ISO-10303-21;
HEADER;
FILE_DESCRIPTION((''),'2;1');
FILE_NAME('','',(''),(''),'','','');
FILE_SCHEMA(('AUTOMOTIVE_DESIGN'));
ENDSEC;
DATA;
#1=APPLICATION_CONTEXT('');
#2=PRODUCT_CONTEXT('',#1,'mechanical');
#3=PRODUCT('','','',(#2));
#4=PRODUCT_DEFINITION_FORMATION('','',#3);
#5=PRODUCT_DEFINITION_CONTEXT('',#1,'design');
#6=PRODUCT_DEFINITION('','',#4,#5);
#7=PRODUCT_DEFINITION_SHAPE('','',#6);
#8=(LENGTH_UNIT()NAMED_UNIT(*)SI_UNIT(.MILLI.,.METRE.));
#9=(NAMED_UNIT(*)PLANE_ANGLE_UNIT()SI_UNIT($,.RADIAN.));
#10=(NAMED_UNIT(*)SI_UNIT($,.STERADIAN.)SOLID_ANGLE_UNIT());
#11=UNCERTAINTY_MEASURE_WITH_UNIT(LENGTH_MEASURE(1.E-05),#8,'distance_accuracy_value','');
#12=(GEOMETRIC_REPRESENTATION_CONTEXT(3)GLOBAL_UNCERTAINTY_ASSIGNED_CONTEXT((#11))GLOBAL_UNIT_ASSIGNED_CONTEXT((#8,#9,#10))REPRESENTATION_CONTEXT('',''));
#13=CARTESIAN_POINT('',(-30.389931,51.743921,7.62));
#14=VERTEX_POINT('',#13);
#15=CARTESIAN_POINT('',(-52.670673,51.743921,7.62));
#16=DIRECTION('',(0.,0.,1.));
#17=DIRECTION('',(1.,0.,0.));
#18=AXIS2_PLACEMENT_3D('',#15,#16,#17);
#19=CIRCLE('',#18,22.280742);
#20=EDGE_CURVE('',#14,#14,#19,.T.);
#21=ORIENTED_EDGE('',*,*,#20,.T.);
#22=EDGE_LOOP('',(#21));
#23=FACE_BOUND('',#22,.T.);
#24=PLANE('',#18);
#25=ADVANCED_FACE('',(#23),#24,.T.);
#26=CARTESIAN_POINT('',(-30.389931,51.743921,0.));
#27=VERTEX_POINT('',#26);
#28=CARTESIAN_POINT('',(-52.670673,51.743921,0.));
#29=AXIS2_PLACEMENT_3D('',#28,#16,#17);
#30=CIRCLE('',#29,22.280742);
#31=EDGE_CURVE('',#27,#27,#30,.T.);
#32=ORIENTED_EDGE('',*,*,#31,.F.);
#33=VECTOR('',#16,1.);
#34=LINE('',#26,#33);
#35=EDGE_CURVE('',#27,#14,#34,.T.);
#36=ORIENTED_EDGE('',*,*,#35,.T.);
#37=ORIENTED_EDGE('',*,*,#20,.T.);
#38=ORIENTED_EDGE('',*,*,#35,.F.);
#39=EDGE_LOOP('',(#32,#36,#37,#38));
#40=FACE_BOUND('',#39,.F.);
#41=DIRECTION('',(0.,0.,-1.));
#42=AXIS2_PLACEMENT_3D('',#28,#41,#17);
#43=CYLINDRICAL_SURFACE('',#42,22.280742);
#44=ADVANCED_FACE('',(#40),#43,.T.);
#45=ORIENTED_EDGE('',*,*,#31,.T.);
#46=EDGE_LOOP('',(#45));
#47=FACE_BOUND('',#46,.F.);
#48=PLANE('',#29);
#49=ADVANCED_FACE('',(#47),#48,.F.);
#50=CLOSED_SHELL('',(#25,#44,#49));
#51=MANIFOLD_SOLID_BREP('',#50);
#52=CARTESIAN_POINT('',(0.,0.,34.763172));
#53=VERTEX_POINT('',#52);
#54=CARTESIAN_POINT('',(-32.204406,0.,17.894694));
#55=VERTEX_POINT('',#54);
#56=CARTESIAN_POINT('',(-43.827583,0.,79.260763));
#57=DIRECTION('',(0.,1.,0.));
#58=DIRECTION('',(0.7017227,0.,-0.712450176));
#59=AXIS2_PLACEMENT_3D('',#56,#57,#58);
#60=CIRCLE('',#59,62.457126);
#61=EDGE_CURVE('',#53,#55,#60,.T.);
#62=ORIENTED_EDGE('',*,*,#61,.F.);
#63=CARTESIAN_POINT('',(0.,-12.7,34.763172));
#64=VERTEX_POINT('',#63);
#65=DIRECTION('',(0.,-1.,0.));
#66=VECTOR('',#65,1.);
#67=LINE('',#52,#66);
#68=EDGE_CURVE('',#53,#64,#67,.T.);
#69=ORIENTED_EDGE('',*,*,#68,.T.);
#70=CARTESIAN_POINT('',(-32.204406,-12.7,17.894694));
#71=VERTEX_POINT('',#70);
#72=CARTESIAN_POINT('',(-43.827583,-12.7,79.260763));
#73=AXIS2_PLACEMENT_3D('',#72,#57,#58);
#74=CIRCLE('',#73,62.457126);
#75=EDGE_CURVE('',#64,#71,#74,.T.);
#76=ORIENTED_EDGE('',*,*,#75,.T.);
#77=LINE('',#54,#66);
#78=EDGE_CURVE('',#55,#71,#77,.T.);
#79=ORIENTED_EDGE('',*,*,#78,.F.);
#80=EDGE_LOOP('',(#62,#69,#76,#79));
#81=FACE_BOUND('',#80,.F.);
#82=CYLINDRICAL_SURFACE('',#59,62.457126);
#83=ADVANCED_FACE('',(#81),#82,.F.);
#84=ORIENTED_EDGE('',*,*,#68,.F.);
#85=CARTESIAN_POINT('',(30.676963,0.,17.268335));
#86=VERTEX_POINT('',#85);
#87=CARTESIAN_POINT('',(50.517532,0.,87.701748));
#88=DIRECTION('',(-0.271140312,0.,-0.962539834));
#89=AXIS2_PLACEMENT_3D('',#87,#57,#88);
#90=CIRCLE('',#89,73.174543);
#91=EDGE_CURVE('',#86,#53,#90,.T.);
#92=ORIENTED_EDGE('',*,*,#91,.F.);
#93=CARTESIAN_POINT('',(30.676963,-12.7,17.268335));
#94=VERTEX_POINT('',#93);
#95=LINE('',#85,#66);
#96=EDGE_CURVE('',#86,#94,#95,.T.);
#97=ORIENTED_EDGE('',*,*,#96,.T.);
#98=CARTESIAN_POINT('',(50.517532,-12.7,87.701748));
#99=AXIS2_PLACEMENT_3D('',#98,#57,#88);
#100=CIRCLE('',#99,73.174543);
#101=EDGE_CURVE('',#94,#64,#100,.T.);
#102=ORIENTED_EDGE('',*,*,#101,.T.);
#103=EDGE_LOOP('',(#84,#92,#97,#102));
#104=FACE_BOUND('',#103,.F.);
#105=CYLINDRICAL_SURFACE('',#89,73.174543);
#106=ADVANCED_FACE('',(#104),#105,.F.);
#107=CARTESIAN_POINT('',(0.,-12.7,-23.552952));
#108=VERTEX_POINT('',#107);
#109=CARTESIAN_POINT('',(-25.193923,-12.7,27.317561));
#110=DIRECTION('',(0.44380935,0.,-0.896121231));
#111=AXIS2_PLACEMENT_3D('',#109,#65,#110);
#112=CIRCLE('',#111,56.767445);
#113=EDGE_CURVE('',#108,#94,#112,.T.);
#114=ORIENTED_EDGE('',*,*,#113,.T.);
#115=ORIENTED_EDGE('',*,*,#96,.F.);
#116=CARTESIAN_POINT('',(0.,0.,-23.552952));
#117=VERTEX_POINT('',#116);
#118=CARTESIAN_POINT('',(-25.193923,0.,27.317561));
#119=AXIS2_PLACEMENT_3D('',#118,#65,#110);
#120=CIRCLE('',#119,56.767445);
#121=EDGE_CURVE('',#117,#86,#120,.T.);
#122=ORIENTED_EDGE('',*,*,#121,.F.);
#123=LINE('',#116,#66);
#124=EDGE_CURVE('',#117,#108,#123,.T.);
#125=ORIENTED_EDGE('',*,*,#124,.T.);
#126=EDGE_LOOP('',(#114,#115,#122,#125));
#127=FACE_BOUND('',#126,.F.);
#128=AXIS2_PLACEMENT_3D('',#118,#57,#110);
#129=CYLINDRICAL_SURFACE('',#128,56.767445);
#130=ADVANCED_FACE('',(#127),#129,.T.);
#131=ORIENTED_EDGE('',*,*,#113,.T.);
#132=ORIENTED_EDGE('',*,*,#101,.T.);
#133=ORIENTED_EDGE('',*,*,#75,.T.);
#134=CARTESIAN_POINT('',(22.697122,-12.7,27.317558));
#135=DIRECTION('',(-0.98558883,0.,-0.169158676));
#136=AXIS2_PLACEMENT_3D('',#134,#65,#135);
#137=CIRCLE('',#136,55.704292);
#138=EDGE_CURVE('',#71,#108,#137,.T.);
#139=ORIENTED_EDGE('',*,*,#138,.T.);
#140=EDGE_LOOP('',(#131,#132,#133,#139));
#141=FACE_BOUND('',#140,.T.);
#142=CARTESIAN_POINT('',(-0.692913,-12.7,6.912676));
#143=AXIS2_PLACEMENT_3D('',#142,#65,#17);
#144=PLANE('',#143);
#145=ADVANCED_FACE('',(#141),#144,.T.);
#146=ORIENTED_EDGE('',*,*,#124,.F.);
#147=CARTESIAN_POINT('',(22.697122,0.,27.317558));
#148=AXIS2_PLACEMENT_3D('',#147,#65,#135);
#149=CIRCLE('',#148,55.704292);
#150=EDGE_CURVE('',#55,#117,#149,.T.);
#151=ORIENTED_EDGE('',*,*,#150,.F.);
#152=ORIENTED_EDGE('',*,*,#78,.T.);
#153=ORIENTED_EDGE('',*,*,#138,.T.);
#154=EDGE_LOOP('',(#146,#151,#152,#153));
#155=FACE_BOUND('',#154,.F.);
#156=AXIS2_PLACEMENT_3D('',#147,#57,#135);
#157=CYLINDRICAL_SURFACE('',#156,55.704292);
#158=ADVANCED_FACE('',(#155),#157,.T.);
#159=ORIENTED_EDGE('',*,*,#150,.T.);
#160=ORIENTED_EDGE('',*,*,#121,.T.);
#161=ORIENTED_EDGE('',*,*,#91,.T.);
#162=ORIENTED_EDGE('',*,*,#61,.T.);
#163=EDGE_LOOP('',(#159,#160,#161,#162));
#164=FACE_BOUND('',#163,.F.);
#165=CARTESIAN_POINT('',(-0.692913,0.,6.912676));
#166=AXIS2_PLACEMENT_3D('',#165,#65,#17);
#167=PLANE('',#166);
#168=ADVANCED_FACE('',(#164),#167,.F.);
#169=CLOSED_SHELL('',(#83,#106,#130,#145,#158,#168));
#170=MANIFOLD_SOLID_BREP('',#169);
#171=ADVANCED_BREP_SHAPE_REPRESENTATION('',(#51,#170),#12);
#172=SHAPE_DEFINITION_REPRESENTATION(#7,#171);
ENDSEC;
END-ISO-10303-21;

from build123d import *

# Parameters (mm, degrees)
F1_DEPTH = 12.7
F2_R     = 22.280742
F3_DEPTH = 7.62


with BuildPart() as f1:
    # F0 (on Front) → F1 (new body)
    with BuildSketch(Plane.XZ):
        with BuildLine():
            ThreePointArc((0, 34.763172), (-14.847709, 23.93392), (-32.204406, 17.894694))
            ThreePointArc((-32.204406, 17.894694), (-21.289972, -6.859974), (0, -23.552952))
            ThreePointArc((0, -23.552952), (20.187463, -6.78629), (30.676963, 17.268335))
            ThreePointArc((30.676963, 17.268335), (14.26725, 24.137364), (0, 34.763172))
        make_face()
    extrude(amount=F1_DEPTH)


with BuildPart() as f3:
    # F2 (on Top) → F3 (new body)
    with BuildSketch(Plane.XY):
        with Locations((-52.670673, 51.743921)):
            Circle(F2_R)
    extrude(amount=F3_DEPTH)


solid = Compound([f1.part, f3.part])
